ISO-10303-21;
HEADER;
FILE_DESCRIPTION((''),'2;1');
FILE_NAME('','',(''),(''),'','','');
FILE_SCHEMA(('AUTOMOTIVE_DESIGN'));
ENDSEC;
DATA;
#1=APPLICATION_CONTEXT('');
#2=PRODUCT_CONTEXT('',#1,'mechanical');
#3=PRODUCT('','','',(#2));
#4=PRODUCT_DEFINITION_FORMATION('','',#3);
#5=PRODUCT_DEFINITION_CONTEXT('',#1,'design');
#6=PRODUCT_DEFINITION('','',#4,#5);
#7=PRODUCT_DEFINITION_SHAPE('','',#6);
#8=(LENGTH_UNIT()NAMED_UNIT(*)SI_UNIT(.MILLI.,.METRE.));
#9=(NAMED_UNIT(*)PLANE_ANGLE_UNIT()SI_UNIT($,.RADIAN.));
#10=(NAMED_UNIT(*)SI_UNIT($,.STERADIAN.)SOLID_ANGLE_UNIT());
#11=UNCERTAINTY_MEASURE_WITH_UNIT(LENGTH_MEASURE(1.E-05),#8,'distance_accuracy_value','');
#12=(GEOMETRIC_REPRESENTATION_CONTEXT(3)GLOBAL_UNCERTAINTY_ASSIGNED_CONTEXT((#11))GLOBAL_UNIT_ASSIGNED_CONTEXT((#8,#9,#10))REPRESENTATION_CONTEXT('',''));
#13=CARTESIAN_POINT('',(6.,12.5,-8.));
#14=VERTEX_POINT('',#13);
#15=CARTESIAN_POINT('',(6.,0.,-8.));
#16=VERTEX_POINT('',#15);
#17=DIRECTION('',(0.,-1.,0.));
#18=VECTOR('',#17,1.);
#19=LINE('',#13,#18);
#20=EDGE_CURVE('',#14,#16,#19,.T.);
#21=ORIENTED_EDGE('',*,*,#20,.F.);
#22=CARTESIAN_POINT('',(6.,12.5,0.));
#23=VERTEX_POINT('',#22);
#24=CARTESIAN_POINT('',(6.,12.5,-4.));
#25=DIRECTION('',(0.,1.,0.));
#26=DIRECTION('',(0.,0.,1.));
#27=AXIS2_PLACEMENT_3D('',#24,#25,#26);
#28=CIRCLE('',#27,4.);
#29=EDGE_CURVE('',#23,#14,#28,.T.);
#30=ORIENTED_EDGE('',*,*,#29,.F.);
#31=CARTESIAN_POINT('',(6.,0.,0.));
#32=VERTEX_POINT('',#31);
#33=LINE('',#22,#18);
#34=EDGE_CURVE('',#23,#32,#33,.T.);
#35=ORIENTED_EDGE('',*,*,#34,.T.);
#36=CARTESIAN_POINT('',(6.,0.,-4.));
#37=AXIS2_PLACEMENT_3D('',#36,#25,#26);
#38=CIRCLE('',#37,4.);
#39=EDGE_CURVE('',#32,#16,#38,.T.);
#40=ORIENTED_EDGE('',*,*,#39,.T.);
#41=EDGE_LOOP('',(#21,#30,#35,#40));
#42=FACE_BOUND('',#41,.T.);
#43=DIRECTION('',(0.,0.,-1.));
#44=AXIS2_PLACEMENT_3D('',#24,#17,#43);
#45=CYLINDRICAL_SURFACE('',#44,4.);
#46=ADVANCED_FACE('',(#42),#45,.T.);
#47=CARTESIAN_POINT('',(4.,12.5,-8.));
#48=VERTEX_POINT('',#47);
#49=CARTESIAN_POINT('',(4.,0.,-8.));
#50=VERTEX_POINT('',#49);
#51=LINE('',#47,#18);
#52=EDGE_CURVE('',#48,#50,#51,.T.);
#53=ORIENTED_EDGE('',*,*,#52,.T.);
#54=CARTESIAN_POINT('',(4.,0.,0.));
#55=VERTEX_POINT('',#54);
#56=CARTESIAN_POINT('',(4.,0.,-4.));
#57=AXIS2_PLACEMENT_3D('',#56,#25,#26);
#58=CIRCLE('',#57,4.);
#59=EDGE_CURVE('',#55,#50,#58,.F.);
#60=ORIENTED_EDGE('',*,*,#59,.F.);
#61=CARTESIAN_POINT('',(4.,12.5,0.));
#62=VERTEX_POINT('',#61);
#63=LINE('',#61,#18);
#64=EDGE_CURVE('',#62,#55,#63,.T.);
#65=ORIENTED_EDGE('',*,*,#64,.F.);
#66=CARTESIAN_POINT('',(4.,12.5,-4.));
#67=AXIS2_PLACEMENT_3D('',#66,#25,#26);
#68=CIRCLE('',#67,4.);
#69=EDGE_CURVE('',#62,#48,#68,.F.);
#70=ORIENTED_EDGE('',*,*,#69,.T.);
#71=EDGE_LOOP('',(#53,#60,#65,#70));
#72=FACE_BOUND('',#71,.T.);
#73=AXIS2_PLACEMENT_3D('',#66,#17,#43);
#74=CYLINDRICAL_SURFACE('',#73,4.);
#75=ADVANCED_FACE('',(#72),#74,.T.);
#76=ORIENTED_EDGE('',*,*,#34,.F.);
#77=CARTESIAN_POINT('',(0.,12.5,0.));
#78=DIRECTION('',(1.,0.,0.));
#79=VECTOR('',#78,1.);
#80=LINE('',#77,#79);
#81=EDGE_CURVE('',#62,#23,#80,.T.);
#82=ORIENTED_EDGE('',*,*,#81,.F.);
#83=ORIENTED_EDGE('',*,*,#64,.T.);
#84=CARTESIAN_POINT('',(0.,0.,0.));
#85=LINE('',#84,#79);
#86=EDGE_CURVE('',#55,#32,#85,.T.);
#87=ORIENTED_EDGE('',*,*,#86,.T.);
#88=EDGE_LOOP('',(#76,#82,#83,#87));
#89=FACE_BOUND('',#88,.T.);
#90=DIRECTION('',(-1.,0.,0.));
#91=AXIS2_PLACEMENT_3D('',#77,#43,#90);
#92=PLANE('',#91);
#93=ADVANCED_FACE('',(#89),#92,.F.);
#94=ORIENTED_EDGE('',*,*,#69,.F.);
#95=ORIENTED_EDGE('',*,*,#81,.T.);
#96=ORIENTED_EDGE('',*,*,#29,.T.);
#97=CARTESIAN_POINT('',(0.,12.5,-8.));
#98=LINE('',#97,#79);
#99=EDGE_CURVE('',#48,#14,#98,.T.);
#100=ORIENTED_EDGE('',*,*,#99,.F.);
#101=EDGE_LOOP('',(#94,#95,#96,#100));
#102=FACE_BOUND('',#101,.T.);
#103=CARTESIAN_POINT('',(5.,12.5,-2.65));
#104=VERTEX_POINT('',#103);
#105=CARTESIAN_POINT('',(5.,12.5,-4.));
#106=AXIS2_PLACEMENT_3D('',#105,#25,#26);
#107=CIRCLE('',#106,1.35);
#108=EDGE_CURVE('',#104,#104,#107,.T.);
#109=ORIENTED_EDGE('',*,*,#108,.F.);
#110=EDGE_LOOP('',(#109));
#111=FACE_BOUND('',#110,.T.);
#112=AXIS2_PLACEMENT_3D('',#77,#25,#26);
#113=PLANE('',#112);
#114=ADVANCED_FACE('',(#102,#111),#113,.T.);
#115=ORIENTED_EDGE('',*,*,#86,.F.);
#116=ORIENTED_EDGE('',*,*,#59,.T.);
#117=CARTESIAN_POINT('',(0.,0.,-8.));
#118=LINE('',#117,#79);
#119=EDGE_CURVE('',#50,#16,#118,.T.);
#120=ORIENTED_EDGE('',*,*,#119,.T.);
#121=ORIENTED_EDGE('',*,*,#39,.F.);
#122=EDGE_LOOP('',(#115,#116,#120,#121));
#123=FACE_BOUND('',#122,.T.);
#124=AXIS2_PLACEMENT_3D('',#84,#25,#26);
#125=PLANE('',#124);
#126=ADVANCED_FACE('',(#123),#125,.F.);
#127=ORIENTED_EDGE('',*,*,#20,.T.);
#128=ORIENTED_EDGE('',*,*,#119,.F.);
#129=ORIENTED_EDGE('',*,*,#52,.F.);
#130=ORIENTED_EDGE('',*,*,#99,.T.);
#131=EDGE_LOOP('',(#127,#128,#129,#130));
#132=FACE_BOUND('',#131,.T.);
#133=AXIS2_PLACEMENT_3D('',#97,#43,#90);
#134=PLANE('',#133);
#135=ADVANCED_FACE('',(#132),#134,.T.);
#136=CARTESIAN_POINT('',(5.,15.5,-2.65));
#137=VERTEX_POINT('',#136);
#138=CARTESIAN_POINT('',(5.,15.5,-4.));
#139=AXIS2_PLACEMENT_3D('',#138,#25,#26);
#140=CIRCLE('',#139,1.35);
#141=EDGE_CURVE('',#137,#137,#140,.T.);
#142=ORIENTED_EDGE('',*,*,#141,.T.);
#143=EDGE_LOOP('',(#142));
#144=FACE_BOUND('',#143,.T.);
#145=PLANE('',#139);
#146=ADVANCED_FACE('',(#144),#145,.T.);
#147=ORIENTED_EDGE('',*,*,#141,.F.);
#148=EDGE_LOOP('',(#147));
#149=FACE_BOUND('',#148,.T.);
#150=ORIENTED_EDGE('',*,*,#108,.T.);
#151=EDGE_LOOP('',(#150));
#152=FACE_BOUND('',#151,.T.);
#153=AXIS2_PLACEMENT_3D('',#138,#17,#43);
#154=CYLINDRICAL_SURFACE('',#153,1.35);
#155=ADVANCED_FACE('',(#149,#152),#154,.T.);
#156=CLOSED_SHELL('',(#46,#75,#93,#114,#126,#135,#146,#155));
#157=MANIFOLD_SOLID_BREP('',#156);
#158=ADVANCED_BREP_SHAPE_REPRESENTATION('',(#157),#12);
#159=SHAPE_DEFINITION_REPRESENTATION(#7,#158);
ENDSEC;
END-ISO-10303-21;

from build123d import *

# Parameters (mm, degrees)
BOSS_EXTRU_1_DEPTH = 12.5
ESQUISSE2_R        = 1.35
BOSS_EXTRU_2_DEPTH = 3


with BuildPart() as part:
    # Esquisse1 → Boss.-Extru.1 (new body)
    with BuildSketch(Plane(origin=(0, 0, 0), x_dir=(1, 0, 0), z_dir=(0, 1, 0))):
        with BuildLine():
            ThreePointArc((0, 4), (1.171572875, 1.171572875), (4, 0))
            Line((4, 0), (6, 0))
            ThreePointArc((6, 0), (8.828427125, 1.171572875), (10, 4))
            ThreePointArc((10, 4), (8.828427125, 6.828427125), (6, 8))
            Line((6, 8), (4, 8))
            ThreePointArc((4, 8), (1.171572875, 6.828427125), (0, 4))
        make_face()
    extrude(amount=BOSS_EXTRU_1_DEPTH)

    # Esquisse2 → Boss.-Extru.2 (add)
    with BuildSketch(Plane(origin=(0, 12.5, 0), x_dir=(1, 0, 0), z_dir=(0, 1, 0))):
        with Locations(Location((5, 4, 0), (0, 0, 270))):
            Circle(ESQUISSE2_R)
    extrude(amount=BOSS_EXTRU_2_DEPTH)


solid = part.part
